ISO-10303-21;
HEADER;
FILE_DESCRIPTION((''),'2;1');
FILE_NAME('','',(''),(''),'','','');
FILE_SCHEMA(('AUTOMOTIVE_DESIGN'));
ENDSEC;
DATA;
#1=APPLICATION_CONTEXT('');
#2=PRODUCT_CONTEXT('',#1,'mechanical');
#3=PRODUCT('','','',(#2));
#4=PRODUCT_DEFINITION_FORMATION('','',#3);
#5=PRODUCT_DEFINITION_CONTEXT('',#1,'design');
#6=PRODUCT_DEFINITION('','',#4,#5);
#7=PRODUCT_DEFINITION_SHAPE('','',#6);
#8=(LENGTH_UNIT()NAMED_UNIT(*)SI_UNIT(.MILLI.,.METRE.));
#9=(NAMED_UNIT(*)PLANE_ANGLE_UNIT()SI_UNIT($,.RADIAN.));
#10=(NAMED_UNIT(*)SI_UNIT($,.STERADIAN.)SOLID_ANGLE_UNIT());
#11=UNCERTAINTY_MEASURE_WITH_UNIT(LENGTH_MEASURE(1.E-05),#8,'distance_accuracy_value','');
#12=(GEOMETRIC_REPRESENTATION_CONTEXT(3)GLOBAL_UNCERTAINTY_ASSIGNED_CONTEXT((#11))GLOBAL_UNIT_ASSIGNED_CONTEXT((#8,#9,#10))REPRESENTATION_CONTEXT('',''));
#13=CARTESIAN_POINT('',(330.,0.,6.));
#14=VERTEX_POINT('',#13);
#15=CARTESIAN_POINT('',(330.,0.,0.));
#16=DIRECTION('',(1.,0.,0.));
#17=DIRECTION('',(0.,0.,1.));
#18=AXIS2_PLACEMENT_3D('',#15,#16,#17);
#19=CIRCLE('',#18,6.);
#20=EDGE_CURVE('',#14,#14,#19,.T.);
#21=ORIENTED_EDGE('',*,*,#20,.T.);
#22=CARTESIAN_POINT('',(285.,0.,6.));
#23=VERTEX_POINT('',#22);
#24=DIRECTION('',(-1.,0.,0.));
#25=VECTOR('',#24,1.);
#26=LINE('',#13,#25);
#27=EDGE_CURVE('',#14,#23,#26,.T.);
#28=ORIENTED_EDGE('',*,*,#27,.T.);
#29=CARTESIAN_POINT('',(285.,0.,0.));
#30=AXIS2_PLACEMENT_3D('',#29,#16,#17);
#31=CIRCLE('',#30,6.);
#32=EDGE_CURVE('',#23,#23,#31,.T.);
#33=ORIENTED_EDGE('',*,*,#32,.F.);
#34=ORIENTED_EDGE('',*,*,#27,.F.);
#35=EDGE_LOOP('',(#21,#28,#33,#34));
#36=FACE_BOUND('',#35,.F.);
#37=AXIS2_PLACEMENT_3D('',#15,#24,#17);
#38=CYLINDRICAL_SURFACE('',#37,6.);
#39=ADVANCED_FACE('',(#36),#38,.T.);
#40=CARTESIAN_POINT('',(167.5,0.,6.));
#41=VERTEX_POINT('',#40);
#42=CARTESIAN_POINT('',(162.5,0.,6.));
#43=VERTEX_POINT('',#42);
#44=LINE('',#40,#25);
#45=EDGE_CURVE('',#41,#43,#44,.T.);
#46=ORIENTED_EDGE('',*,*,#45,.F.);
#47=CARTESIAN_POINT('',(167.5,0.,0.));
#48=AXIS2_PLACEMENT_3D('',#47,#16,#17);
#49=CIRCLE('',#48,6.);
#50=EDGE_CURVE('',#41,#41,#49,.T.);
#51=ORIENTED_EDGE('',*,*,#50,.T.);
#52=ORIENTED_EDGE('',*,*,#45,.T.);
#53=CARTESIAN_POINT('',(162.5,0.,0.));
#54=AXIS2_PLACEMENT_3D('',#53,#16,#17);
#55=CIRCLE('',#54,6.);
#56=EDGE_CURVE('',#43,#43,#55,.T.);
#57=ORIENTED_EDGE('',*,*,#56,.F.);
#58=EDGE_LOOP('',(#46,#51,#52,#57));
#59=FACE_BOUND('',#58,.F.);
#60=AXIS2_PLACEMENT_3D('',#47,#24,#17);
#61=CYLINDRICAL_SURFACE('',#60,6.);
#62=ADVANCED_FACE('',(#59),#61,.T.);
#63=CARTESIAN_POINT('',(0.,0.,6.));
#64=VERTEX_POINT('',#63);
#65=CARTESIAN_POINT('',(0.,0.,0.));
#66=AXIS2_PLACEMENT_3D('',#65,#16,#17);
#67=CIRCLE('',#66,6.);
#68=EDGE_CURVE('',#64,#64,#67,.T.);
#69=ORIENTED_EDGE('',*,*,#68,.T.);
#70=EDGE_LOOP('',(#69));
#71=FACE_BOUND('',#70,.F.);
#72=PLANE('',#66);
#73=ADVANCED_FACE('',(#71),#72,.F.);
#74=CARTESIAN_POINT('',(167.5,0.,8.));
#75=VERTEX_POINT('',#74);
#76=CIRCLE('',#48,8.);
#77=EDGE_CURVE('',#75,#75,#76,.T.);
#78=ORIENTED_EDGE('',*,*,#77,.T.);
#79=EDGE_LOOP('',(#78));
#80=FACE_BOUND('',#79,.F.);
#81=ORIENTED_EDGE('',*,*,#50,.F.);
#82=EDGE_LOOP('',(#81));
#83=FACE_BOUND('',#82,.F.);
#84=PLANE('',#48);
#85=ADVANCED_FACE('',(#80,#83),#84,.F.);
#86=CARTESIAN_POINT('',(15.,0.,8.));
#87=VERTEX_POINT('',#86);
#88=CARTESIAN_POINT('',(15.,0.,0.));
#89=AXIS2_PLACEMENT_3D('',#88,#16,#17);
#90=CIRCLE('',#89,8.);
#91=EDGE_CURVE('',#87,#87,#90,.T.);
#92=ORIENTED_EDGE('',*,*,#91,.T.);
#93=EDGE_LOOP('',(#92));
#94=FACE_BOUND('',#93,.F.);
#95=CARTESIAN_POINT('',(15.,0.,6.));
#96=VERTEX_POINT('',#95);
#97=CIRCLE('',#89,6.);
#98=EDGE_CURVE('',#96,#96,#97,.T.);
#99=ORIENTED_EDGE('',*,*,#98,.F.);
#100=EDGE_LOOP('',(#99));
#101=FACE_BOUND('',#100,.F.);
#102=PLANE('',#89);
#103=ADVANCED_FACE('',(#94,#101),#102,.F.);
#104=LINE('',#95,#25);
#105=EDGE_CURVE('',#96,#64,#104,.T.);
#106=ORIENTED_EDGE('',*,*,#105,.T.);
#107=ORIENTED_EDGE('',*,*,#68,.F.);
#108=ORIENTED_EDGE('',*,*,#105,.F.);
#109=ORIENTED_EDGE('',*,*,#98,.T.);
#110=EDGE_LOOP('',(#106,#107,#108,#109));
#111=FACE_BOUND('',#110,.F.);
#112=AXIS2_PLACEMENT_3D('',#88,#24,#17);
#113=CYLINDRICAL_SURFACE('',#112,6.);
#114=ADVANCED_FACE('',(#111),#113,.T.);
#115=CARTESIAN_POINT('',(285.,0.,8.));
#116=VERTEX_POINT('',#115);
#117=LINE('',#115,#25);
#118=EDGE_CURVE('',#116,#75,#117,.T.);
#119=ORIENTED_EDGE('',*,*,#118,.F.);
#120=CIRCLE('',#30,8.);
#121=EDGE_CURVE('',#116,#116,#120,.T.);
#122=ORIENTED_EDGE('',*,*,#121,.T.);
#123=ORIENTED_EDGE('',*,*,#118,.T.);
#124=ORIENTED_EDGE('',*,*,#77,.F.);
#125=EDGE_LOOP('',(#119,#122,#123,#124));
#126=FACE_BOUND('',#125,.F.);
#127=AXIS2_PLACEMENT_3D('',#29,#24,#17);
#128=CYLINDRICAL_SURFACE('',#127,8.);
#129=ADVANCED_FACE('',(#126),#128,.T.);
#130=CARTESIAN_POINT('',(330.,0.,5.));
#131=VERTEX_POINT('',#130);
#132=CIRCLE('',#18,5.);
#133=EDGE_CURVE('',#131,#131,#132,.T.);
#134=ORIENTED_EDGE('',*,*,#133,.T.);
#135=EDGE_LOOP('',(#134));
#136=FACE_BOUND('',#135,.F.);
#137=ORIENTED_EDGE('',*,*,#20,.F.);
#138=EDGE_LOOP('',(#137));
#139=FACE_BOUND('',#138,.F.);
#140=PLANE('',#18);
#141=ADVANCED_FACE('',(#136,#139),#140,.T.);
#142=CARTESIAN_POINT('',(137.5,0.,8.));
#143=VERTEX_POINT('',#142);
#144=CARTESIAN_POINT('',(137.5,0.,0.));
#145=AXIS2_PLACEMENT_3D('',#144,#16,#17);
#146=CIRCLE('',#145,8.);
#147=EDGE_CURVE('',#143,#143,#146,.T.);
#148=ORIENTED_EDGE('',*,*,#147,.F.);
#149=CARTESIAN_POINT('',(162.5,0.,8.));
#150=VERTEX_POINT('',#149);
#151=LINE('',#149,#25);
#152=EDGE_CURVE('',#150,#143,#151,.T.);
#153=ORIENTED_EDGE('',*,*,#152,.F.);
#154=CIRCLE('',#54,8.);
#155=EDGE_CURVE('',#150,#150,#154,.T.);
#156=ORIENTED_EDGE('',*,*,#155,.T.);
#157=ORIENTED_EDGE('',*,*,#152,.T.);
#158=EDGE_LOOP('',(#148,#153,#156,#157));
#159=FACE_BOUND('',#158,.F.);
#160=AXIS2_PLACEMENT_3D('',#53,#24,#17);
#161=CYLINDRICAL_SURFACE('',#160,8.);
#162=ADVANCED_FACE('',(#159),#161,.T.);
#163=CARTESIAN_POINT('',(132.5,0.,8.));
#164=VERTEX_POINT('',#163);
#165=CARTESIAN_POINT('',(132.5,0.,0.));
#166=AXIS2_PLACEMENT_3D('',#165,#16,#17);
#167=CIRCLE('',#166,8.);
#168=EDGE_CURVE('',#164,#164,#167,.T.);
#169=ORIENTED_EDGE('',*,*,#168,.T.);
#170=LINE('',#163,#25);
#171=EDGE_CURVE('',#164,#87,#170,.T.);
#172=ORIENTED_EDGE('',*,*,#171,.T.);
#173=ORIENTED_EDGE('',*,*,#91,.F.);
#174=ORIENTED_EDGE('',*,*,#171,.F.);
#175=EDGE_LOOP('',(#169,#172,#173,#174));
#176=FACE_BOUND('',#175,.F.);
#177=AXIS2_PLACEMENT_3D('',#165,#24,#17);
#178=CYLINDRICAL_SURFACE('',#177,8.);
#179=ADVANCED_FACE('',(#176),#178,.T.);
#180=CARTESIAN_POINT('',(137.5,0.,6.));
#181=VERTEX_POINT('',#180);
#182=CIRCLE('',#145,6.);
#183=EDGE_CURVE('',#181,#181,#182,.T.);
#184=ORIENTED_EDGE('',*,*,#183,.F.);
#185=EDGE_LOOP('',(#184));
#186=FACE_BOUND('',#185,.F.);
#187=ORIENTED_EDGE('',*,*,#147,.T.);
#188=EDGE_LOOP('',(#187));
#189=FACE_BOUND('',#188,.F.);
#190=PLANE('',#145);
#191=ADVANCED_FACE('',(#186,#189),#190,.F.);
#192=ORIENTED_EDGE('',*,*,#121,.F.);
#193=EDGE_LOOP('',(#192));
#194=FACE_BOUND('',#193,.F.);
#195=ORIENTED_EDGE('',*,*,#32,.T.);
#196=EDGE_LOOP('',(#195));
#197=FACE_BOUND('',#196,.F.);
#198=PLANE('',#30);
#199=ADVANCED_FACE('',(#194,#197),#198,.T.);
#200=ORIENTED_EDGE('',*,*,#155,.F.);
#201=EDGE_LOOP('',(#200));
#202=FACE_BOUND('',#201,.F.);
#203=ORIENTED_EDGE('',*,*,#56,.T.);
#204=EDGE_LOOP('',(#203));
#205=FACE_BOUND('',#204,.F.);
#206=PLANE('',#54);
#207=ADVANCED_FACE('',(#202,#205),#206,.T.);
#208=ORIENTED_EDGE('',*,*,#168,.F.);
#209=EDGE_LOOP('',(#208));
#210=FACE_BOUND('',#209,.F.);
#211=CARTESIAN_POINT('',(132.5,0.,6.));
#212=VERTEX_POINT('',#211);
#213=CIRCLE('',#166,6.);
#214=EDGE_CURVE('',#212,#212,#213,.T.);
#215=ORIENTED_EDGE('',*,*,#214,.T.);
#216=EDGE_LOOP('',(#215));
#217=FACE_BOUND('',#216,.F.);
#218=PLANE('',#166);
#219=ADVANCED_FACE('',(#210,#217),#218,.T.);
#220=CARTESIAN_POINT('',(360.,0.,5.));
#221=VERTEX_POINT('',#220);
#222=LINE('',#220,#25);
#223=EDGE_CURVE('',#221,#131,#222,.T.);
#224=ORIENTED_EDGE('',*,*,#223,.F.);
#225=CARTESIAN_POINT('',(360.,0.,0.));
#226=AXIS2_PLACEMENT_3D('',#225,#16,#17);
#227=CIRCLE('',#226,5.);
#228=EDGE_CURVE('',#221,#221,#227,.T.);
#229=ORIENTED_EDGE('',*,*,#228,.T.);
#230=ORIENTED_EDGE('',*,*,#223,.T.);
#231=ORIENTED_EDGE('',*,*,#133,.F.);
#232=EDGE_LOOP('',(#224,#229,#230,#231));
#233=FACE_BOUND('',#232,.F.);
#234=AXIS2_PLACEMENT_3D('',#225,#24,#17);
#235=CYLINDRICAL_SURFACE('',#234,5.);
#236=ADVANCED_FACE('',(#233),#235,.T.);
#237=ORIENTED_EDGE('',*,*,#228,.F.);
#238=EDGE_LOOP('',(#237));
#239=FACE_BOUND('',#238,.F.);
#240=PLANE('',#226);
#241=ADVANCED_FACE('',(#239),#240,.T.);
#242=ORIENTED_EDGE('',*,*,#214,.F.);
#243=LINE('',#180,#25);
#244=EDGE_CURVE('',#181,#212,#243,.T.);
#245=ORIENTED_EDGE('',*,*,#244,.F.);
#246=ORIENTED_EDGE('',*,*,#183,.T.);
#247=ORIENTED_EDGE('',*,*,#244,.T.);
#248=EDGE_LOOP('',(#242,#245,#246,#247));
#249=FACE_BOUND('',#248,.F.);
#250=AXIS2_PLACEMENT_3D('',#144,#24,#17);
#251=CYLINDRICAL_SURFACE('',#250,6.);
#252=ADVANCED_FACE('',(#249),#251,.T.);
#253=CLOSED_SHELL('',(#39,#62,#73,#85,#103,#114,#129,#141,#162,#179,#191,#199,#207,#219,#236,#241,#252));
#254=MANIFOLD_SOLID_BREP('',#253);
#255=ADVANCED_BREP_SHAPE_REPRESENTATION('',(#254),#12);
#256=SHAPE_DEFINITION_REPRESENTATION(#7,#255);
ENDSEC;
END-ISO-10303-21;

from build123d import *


with BuildPart() as f1:
    # F0 (on Front) → F1 (revolve)
    with BuildSketch(Plane.XZ):
        Polygon((0, 6), (0, 0), (360, 0), (360, 5), (330, 5), (330, 6), (285, 6), (285, 8), (167.5, 8), (167.5, 6), (162.5, 6), (162.5, 8), (137.5, 8), (137.5, 6), (132.5, 6), (132.5, 8), (15, 8), (15, 6), align=None)
    revolve(axis=Axis((180, 0, 0), (1, 0, 0)))


solid = f1.part
